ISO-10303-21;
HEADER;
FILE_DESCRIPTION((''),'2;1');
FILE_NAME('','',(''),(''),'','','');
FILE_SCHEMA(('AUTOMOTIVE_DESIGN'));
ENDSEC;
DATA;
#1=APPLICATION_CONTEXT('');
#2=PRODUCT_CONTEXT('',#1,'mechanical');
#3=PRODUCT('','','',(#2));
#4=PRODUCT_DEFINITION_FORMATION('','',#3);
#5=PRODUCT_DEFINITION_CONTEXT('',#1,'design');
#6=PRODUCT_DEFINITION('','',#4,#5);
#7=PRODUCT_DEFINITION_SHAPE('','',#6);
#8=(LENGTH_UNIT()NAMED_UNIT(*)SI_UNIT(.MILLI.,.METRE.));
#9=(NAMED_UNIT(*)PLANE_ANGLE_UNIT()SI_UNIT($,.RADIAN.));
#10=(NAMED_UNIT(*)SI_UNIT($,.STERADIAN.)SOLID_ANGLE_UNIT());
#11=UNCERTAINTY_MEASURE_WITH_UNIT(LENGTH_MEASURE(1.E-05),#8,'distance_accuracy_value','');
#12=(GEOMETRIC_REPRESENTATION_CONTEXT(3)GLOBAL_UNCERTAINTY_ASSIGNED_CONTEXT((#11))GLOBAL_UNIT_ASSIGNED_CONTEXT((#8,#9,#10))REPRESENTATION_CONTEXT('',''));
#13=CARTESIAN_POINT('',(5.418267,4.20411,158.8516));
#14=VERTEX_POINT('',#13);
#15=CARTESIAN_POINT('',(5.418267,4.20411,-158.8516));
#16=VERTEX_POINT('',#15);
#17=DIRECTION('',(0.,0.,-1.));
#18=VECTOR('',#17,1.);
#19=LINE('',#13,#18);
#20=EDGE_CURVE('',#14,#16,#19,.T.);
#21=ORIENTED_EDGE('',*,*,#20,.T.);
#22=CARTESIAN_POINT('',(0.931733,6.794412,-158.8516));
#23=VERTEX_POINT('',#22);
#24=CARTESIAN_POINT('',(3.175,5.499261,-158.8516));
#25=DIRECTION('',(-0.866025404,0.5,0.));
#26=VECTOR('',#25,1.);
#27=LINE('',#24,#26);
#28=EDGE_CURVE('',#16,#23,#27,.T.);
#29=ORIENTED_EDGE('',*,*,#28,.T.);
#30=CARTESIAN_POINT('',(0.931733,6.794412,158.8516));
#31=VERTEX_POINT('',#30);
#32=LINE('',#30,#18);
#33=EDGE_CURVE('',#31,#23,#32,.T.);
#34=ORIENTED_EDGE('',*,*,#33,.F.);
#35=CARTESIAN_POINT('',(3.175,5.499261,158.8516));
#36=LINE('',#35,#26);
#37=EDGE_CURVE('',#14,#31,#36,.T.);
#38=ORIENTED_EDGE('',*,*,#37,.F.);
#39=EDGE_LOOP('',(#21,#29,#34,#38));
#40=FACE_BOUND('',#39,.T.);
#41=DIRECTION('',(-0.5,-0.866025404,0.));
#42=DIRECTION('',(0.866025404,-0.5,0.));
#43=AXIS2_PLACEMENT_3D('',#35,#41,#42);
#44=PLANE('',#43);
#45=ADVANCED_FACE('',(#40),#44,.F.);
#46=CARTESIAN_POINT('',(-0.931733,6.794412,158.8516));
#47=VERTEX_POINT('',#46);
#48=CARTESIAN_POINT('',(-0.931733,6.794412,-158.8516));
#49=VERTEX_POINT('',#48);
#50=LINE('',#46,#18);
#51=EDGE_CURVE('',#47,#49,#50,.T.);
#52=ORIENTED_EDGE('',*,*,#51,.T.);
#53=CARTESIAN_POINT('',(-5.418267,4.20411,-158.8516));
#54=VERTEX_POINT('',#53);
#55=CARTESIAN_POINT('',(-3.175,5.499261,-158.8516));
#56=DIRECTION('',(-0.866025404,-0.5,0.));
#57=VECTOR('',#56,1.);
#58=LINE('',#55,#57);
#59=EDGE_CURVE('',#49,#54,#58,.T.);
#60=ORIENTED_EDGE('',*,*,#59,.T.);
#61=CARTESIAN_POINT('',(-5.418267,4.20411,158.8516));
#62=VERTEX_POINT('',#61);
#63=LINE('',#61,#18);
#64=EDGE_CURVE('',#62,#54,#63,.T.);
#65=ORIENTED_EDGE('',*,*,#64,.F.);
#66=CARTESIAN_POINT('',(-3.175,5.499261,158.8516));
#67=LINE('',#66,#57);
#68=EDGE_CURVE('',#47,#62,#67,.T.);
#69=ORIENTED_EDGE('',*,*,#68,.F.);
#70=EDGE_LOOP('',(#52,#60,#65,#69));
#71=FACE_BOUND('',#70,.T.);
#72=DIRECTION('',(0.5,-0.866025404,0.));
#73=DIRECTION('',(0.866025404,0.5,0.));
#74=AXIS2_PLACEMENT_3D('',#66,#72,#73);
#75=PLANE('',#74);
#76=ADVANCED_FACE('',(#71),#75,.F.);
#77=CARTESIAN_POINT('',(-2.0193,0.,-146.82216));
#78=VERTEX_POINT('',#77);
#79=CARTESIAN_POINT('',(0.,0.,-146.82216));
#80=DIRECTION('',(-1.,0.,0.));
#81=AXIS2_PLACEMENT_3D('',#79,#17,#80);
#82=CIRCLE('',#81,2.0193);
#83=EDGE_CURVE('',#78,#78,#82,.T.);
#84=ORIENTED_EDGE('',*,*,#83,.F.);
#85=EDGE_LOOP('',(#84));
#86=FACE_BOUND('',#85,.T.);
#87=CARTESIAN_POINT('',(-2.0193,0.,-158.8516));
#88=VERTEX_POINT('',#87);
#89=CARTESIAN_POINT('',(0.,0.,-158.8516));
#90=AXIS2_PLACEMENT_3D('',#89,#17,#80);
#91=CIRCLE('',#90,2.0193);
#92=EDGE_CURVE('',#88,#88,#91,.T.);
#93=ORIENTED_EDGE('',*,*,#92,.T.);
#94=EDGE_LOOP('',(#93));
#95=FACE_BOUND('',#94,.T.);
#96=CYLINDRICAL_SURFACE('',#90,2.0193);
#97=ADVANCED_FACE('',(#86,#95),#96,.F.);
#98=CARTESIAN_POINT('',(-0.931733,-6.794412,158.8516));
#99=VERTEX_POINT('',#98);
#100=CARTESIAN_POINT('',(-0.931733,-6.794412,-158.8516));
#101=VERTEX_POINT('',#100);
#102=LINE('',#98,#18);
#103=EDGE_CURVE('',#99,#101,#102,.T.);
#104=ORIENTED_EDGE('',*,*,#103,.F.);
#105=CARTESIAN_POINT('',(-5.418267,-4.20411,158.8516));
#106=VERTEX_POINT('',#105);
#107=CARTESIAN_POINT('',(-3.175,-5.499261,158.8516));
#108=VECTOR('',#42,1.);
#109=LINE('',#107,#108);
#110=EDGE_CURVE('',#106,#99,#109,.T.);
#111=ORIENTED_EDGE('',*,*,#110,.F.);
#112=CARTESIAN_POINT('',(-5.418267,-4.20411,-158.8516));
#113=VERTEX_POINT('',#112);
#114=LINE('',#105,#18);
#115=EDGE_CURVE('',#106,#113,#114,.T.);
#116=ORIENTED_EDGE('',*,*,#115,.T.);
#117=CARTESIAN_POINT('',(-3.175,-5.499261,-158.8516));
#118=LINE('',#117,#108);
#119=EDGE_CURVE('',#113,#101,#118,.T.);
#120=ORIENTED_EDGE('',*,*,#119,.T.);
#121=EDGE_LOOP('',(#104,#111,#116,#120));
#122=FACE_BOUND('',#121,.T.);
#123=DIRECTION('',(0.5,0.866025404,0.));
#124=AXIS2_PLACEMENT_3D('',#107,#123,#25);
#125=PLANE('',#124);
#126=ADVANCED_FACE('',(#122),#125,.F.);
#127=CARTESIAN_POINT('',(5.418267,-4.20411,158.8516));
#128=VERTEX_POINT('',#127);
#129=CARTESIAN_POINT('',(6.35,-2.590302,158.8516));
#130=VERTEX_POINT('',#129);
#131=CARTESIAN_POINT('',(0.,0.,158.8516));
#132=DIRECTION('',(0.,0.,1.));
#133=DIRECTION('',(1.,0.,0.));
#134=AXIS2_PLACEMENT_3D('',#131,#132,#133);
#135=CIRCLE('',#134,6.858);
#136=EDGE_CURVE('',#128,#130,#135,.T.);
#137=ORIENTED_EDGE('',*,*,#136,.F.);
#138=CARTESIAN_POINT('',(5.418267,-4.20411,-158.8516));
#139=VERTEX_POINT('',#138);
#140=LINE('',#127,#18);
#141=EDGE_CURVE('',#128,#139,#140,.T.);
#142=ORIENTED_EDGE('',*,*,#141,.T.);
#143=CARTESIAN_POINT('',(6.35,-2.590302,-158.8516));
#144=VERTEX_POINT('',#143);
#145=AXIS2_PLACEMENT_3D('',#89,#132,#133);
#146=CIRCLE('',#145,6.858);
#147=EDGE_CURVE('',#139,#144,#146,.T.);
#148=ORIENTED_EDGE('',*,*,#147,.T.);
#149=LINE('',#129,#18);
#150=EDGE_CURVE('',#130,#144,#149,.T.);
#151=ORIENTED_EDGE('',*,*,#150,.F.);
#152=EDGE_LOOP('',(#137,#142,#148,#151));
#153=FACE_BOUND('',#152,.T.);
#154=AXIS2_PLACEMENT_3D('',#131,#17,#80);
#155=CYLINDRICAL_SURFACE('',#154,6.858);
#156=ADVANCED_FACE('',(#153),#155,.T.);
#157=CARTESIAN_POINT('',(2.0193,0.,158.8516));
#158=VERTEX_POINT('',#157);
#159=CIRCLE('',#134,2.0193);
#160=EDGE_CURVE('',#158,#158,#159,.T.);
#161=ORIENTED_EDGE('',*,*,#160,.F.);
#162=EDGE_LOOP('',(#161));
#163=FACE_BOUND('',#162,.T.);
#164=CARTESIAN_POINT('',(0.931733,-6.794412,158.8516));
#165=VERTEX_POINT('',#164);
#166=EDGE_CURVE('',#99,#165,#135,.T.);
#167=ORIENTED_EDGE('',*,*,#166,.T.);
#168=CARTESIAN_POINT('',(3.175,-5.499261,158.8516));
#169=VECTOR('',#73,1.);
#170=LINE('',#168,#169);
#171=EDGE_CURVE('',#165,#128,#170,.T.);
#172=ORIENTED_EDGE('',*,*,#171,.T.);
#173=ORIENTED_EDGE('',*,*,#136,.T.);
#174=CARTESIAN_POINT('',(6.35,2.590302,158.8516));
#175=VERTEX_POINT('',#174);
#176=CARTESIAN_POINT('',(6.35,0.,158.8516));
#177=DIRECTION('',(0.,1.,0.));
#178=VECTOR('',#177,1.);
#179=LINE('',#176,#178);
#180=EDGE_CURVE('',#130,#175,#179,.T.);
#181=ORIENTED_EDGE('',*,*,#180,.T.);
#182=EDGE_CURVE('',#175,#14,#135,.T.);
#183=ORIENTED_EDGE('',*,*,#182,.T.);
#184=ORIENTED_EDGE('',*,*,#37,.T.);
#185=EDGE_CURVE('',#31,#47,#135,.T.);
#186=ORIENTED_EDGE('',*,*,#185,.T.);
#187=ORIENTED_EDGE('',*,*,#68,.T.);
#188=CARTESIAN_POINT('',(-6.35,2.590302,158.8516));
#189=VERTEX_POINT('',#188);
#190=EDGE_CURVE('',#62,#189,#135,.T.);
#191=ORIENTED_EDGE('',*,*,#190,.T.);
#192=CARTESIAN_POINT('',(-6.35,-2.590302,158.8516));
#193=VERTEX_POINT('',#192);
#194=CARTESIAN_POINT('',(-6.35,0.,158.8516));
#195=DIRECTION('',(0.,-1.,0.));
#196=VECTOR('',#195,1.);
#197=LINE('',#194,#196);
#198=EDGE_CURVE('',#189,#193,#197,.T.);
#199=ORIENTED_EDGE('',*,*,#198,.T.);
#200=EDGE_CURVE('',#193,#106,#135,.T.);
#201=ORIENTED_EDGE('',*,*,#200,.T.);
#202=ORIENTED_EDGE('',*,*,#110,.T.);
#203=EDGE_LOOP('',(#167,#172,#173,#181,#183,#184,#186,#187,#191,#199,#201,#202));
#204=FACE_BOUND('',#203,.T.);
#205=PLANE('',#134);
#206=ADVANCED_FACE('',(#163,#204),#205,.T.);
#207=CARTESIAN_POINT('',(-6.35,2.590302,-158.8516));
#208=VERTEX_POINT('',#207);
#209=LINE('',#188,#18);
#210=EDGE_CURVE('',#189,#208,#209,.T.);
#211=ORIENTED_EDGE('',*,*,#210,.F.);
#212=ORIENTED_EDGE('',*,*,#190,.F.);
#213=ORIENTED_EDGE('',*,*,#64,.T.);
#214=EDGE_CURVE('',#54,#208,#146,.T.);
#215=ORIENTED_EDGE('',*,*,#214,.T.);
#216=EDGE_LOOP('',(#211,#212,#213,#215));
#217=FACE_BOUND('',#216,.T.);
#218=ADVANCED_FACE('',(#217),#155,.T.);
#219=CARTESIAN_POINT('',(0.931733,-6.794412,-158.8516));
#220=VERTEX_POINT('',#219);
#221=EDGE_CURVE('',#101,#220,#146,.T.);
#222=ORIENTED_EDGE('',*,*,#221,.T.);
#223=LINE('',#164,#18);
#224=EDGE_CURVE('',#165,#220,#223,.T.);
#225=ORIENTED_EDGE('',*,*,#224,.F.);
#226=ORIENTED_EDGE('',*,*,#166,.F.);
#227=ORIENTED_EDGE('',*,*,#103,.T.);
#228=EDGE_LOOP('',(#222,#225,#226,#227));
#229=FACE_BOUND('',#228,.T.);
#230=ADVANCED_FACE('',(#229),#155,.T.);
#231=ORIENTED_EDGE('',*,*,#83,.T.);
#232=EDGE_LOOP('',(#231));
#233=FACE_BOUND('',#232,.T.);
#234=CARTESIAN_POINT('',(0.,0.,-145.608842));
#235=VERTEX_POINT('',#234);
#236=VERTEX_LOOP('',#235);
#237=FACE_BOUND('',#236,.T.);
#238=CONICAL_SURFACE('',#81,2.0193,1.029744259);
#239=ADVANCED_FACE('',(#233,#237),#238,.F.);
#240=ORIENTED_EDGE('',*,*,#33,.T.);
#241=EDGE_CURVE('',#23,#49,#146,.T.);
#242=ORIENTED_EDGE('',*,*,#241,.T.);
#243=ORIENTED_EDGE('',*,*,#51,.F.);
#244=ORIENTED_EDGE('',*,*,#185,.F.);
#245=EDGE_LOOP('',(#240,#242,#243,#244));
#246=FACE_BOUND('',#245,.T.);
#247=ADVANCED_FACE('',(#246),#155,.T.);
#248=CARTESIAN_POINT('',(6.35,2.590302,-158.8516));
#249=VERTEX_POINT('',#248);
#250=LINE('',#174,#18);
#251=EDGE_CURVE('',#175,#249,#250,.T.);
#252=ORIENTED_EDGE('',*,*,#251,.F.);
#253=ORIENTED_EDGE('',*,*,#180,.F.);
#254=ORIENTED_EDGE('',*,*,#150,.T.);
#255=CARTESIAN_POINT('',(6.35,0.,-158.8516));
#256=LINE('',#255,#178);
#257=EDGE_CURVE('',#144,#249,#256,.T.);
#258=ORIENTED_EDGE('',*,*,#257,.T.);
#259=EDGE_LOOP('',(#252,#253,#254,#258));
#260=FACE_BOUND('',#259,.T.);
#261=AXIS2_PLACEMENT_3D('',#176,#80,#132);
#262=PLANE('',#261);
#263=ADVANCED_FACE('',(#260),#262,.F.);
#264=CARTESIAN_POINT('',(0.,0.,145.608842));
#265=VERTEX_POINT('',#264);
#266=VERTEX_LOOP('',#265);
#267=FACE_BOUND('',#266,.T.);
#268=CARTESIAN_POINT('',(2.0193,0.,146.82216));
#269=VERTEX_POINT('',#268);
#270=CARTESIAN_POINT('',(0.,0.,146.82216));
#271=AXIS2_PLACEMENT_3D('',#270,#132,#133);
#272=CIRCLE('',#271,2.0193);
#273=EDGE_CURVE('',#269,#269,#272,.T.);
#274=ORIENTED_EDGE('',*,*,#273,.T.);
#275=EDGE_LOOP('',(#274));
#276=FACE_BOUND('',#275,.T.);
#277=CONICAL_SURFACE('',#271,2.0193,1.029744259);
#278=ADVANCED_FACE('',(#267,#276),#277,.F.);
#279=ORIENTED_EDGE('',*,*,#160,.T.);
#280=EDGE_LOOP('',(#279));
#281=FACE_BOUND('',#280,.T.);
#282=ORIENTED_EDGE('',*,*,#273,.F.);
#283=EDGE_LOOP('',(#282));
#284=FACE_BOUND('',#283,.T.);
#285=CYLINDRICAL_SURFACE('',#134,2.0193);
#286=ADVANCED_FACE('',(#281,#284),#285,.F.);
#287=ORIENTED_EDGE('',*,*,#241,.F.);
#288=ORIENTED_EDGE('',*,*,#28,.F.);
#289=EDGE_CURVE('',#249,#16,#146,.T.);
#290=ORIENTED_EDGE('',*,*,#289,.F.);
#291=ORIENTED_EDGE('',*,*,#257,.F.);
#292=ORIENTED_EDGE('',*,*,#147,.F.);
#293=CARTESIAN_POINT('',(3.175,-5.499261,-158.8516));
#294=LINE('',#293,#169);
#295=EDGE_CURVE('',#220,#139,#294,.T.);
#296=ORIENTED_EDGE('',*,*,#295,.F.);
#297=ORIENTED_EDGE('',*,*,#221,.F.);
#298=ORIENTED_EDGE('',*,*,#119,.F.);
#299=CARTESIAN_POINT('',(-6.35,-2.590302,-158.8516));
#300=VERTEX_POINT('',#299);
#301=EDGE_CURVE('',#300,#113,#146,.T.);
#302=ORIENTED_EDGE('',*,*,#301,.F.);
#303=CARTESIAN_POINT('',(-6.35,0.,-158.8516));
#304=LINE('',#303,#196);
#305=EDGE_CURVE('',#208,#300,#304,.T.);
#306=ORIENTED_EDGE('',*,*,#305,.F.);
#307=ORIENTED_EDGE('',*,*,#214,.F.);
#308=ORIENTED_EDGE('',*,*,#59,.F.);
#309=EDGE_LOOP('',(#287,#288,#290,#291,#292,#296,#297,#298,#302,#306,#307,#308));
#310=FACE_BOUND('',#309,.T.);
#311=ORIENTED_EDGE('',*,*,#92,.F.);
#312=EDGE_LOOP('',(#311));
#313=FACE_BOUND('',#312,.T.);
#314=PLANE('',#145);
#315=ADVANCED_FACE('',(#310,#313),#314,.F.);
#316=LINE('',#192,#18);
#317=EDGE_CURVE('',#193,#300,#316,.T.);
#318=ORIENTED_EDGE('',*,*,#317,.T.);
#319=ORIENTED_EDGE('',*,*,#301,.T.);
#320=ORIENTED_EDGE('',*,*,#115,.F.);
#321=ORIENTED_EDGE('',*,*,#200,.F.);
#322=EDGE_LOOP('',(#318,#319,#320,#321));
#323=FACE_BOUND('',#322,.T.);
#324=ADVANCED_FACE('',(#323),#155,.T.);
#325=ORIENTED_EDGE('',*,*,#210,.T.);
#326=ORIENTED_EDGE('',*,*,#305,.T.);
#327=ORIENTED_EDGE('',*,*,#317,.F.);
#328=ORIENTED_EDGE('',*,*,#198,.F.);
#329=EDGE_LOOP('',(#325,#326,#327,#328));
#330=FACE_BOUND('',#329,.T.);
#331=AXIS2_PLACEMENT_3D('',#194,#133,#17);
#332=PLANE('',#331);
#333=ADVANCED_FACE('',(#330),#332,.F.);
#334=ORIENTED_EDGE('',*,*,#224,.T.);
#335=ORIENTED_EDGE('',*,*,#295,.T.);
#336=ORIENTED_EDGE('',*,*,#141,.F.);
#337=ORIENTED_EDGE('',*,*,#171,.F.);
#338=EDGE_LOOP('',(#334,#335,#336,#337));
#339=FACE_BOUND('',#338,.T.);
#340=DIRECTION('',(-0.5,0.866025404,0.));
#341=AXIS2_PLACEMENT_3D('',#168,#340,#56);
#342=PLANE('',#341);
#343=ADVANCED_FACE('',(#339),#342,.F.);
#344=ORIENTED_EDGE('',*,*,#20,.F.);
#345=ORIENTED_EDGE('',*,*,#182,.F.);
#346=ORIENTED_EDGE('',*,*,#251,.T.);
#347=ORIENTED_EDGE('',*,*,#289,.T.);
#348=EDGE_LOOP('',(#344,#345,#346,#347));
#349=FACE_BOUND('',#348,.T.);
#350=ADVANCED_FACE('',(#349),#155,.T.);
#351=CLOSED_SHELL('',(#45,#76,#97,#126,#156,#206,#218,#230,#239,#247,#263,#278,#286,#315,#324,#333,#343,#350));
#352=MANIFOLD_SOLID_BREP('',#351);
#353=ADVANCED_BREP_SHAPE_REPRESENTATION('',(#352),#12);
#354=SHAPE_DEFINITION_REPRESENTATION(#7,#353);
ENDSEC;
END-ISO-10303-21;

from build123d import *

# Parameters (mm, degrees)
BOSS_EXTRUDE1_DEPTH                  = 158.8516
F_10_32_TAPPED_HOLE1_D               = 4.0386
F_10_32_TAPPED_HOLE1_DEPTH           = 12.02944
F_10_32_TAPPED_HOLE1_TIP             = 1.213317848
F_10_32_TAPPED_HOLE1_ON_FACE_2_D     = 4.0386
F_10_32_TAPPED_HOLE1_ON_FACE_2_DEPTH = 12.02944
F_10_32_TAPPED_HOLE1_ON_FACE_2_TIP   = 1.213317848


with BuildPart() as part:
    # Sketch1 → Boss-Extrude1 (new, symmetric)
    with BuildSketch(Plane.XY):
        with BuildLine():
            ThreePointArc((6.35, 2.590301913), (5.939202219, 3.429), (5.41826726, 4.204110358))
            Line((5.41826726, 4.204110358), (0.93173274, 6.79441227))
            ThreePointArc((0.93173274, 6.79441227), (0, 6.858), (-0.93173274, 6.79441227))
            Line((-0.93173274, 6.79441227), (-5.41826726, 4.204110358))
            ThreePointArc((-5.41826726, 4.204110358), (-5.939202219, 3.429), (-6.35, 2.590301913))
            Line((-6.35, 2.590301913), (-6.35, -2.590301913))
            ThreePointArc((-6.35, -2.590301913), (-5.939202219, -3.429), (-5.41826726, -4.204110358))
            Line((-5.41826726, -4.204110358), (-0.93173274, -6.79441227))
            ThreePointArc((-0.93173274, -6.79441227), (0, -6.858), (0.93173274, -6.79441227))
            Line((0.93173274, -6.79441227), (5.41826726, -4.204110358))
            ThreePointArc((5.41826726, -4.204110358), (5.939202219, -3.429), (6.35, -2.590301913))
            Line((6.35, -2.590301913), (6.35, 2.590301913))
        make_face()
    extrude(amount=BOSS_EXTRUDE1_DEPTH, both=True)

    # #10-32 Tapped Hole1
    with Locations(Plane(origin=(0, 0, -158.8516), x_dir=(-1, 0, 0), z_dir=(0, 0, -1))):
        with Locations((0, 0)):
            Hole(F_10_32_TAPPED_HOLE1_D / 2, depth=F_10_32_TAPPED_HOLE1_DEPTH)
            with Locations((0, 0, -(F_10_32_TAPPED_HOLE1_DEPTH + F_10_32_TAPPED_HOLE1_TIP / 2))):  # 118° drill point
                Cone(0, F_10_32_TAPPED_HOLE1_D / 2, F_10_32_TAPPED_HOLE1_TIP, mode=Mode.SUBTRACT)

    # #10-32 Tapped Hole1 on face 2
    with Locations(Plane.XY.offset(158.8516)):
        with Locations((0, 0)):
            Hole(F_10_32_TAPPED_HOLE1_ON_FACE_2_D / 2, depth=F_10_32_TAPPED_HOLE1_ON_FACE_2_DEPTH)
            with Locations((0, 0, -(F_10_32_TAPPED_HOLE1_ON_FACE_2_DEPTH + F_10_32_TAPPED_HOLE1_ON_FACE_2_TIP / 2))):  # 118° drill point
                Cone(0, F_10_32_TAPPED_HOLE1_ON_FACE_2_D / 2, F_10_32_TAPPED_HOLE1_ON_FACE_2_TIP, mode=Mode.SUBTRACT)


solid = part.part
